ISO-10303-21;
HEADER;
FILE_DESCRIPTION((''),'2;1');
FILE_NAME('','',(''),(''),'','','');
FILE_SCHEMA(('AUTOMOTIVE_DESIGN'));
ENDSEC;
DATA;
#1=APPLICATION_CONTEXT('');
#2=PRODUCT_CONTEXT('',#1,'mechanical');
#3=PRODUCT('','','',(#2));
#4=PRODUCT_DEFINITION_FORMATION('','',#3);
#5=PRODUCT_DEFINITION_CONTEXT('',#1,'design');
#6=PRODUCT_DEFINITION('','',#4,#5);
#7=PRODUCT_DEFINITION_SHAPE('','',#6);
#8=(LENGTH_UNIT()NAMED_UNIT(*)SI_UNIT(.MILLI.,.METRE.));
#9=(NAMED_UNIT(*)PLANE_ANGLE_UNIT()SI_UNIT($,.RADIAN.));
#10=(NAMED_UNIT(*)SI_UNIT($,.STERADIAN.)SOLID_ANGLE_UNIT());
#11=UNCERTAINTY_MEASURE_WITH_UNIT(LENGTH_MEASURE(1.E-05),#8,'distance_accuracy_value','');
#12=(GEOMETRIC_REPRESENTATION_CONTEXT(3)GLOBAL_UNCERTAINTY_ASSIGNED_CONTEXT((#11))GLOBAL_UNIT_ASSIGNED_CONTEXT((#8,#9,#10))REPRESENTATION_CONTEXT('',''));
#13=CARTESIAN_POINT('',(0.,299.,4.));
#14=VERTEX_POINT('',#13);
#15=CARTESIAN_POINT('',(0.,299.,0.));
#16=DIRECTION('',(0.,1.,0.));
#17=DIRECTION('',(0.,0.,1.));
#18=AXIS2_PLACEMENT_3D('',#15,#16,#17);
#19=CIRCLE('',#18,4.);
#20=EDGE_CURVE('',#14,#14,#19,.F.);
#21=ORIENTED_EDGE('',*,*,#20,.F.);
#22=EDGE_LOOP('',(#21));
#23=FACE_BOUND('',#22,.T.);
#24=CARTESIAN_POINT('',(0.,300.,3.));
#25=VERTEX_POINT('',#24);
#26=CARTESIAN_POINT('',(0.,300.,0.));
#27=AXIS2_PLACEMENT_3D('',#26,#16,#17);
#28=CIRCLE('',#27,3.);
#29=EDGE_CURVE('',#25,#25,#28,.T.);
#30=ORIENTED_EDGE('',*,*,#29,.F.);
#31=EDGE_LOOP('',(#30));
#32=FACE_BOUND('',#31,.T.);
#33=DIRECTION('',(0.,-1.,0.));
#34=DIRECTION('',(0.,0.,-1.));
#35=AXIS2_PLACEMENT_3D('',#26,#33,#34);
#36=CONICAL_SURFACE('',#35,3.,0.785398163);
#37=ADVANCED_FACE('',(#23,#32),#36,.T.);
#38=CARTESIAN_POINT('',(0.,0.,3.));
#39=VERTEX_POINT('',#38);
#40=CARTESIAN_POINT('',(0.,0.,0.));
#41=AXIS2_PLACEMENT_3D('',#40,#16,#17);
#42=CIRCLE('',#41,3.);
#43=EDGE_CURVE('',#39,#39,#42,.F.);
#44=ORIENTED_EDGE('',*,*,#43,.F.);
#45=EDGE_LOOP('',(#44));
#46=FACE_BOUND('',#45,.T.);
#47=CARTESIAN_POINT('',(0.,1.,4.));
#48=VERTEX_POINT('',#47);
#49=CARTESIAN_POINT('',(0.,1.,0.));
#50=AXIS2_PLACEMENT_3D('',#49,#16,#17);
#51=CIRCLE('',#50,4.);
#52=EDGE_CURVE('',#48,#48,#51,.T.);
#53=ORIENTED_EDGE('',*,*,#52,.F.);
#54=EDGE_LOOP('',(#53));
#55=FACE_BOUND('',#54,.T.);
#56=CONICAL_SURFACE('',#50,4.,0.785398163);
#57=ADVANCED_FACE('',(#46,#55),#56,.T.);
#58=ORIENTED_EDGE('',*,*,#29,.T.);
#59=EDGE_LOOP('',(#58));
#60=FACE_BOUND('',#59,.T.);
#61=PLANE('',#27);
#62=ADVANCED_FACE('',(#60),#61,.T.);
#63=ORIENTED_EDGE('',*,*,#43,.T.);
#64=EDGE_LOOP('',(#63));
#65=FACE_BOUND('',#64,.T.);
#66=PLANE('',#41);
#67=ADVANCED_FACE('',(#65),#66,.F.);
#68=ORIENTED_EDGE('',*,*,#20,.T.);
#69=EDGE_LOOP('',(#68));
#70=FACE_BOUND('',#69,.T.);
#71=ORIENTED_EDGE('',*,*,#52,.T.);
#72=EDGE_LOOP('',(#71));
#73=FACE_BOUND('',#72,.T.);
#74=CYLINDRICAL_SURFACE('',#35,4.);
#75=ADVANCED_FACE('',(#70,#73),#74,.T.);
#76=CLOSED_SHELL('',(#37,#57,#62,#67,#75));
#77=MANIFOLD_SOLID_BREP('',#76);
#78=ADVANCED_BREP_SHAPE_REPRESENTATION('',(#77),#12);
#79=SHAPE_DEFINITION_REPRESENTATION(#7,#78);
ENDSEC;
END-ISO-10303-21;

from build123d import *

# Parameters (mm, degrees)
SKETCH1_R           = 4
BOSS_EXTRUDE1_DEPTH = 300
CHAMFER1_SIZE       = 1


with BuildPart() as part:
    # Sketch1 → Boss-Extrude1 (new body)
    with BuildSketch(Plane(origin=(0, 0, 0), x_dir=(1, 0, 0), z_dir=(0, 1, 0))):
        Circle(SKETCH1_R)
    extrude(amount=BOSS_EXTRUDE1_DEPTH)

    # Chamfer1
    chamfer1_edges = [part.edges().sort_by_distance(p)[0] for p in [
        (-4, 0, 0),
        (-4, 300, 0),
    ]]
    chamfer(chamfer1_edges, length=CHAMFER1_SIZE)


solid = part.part
